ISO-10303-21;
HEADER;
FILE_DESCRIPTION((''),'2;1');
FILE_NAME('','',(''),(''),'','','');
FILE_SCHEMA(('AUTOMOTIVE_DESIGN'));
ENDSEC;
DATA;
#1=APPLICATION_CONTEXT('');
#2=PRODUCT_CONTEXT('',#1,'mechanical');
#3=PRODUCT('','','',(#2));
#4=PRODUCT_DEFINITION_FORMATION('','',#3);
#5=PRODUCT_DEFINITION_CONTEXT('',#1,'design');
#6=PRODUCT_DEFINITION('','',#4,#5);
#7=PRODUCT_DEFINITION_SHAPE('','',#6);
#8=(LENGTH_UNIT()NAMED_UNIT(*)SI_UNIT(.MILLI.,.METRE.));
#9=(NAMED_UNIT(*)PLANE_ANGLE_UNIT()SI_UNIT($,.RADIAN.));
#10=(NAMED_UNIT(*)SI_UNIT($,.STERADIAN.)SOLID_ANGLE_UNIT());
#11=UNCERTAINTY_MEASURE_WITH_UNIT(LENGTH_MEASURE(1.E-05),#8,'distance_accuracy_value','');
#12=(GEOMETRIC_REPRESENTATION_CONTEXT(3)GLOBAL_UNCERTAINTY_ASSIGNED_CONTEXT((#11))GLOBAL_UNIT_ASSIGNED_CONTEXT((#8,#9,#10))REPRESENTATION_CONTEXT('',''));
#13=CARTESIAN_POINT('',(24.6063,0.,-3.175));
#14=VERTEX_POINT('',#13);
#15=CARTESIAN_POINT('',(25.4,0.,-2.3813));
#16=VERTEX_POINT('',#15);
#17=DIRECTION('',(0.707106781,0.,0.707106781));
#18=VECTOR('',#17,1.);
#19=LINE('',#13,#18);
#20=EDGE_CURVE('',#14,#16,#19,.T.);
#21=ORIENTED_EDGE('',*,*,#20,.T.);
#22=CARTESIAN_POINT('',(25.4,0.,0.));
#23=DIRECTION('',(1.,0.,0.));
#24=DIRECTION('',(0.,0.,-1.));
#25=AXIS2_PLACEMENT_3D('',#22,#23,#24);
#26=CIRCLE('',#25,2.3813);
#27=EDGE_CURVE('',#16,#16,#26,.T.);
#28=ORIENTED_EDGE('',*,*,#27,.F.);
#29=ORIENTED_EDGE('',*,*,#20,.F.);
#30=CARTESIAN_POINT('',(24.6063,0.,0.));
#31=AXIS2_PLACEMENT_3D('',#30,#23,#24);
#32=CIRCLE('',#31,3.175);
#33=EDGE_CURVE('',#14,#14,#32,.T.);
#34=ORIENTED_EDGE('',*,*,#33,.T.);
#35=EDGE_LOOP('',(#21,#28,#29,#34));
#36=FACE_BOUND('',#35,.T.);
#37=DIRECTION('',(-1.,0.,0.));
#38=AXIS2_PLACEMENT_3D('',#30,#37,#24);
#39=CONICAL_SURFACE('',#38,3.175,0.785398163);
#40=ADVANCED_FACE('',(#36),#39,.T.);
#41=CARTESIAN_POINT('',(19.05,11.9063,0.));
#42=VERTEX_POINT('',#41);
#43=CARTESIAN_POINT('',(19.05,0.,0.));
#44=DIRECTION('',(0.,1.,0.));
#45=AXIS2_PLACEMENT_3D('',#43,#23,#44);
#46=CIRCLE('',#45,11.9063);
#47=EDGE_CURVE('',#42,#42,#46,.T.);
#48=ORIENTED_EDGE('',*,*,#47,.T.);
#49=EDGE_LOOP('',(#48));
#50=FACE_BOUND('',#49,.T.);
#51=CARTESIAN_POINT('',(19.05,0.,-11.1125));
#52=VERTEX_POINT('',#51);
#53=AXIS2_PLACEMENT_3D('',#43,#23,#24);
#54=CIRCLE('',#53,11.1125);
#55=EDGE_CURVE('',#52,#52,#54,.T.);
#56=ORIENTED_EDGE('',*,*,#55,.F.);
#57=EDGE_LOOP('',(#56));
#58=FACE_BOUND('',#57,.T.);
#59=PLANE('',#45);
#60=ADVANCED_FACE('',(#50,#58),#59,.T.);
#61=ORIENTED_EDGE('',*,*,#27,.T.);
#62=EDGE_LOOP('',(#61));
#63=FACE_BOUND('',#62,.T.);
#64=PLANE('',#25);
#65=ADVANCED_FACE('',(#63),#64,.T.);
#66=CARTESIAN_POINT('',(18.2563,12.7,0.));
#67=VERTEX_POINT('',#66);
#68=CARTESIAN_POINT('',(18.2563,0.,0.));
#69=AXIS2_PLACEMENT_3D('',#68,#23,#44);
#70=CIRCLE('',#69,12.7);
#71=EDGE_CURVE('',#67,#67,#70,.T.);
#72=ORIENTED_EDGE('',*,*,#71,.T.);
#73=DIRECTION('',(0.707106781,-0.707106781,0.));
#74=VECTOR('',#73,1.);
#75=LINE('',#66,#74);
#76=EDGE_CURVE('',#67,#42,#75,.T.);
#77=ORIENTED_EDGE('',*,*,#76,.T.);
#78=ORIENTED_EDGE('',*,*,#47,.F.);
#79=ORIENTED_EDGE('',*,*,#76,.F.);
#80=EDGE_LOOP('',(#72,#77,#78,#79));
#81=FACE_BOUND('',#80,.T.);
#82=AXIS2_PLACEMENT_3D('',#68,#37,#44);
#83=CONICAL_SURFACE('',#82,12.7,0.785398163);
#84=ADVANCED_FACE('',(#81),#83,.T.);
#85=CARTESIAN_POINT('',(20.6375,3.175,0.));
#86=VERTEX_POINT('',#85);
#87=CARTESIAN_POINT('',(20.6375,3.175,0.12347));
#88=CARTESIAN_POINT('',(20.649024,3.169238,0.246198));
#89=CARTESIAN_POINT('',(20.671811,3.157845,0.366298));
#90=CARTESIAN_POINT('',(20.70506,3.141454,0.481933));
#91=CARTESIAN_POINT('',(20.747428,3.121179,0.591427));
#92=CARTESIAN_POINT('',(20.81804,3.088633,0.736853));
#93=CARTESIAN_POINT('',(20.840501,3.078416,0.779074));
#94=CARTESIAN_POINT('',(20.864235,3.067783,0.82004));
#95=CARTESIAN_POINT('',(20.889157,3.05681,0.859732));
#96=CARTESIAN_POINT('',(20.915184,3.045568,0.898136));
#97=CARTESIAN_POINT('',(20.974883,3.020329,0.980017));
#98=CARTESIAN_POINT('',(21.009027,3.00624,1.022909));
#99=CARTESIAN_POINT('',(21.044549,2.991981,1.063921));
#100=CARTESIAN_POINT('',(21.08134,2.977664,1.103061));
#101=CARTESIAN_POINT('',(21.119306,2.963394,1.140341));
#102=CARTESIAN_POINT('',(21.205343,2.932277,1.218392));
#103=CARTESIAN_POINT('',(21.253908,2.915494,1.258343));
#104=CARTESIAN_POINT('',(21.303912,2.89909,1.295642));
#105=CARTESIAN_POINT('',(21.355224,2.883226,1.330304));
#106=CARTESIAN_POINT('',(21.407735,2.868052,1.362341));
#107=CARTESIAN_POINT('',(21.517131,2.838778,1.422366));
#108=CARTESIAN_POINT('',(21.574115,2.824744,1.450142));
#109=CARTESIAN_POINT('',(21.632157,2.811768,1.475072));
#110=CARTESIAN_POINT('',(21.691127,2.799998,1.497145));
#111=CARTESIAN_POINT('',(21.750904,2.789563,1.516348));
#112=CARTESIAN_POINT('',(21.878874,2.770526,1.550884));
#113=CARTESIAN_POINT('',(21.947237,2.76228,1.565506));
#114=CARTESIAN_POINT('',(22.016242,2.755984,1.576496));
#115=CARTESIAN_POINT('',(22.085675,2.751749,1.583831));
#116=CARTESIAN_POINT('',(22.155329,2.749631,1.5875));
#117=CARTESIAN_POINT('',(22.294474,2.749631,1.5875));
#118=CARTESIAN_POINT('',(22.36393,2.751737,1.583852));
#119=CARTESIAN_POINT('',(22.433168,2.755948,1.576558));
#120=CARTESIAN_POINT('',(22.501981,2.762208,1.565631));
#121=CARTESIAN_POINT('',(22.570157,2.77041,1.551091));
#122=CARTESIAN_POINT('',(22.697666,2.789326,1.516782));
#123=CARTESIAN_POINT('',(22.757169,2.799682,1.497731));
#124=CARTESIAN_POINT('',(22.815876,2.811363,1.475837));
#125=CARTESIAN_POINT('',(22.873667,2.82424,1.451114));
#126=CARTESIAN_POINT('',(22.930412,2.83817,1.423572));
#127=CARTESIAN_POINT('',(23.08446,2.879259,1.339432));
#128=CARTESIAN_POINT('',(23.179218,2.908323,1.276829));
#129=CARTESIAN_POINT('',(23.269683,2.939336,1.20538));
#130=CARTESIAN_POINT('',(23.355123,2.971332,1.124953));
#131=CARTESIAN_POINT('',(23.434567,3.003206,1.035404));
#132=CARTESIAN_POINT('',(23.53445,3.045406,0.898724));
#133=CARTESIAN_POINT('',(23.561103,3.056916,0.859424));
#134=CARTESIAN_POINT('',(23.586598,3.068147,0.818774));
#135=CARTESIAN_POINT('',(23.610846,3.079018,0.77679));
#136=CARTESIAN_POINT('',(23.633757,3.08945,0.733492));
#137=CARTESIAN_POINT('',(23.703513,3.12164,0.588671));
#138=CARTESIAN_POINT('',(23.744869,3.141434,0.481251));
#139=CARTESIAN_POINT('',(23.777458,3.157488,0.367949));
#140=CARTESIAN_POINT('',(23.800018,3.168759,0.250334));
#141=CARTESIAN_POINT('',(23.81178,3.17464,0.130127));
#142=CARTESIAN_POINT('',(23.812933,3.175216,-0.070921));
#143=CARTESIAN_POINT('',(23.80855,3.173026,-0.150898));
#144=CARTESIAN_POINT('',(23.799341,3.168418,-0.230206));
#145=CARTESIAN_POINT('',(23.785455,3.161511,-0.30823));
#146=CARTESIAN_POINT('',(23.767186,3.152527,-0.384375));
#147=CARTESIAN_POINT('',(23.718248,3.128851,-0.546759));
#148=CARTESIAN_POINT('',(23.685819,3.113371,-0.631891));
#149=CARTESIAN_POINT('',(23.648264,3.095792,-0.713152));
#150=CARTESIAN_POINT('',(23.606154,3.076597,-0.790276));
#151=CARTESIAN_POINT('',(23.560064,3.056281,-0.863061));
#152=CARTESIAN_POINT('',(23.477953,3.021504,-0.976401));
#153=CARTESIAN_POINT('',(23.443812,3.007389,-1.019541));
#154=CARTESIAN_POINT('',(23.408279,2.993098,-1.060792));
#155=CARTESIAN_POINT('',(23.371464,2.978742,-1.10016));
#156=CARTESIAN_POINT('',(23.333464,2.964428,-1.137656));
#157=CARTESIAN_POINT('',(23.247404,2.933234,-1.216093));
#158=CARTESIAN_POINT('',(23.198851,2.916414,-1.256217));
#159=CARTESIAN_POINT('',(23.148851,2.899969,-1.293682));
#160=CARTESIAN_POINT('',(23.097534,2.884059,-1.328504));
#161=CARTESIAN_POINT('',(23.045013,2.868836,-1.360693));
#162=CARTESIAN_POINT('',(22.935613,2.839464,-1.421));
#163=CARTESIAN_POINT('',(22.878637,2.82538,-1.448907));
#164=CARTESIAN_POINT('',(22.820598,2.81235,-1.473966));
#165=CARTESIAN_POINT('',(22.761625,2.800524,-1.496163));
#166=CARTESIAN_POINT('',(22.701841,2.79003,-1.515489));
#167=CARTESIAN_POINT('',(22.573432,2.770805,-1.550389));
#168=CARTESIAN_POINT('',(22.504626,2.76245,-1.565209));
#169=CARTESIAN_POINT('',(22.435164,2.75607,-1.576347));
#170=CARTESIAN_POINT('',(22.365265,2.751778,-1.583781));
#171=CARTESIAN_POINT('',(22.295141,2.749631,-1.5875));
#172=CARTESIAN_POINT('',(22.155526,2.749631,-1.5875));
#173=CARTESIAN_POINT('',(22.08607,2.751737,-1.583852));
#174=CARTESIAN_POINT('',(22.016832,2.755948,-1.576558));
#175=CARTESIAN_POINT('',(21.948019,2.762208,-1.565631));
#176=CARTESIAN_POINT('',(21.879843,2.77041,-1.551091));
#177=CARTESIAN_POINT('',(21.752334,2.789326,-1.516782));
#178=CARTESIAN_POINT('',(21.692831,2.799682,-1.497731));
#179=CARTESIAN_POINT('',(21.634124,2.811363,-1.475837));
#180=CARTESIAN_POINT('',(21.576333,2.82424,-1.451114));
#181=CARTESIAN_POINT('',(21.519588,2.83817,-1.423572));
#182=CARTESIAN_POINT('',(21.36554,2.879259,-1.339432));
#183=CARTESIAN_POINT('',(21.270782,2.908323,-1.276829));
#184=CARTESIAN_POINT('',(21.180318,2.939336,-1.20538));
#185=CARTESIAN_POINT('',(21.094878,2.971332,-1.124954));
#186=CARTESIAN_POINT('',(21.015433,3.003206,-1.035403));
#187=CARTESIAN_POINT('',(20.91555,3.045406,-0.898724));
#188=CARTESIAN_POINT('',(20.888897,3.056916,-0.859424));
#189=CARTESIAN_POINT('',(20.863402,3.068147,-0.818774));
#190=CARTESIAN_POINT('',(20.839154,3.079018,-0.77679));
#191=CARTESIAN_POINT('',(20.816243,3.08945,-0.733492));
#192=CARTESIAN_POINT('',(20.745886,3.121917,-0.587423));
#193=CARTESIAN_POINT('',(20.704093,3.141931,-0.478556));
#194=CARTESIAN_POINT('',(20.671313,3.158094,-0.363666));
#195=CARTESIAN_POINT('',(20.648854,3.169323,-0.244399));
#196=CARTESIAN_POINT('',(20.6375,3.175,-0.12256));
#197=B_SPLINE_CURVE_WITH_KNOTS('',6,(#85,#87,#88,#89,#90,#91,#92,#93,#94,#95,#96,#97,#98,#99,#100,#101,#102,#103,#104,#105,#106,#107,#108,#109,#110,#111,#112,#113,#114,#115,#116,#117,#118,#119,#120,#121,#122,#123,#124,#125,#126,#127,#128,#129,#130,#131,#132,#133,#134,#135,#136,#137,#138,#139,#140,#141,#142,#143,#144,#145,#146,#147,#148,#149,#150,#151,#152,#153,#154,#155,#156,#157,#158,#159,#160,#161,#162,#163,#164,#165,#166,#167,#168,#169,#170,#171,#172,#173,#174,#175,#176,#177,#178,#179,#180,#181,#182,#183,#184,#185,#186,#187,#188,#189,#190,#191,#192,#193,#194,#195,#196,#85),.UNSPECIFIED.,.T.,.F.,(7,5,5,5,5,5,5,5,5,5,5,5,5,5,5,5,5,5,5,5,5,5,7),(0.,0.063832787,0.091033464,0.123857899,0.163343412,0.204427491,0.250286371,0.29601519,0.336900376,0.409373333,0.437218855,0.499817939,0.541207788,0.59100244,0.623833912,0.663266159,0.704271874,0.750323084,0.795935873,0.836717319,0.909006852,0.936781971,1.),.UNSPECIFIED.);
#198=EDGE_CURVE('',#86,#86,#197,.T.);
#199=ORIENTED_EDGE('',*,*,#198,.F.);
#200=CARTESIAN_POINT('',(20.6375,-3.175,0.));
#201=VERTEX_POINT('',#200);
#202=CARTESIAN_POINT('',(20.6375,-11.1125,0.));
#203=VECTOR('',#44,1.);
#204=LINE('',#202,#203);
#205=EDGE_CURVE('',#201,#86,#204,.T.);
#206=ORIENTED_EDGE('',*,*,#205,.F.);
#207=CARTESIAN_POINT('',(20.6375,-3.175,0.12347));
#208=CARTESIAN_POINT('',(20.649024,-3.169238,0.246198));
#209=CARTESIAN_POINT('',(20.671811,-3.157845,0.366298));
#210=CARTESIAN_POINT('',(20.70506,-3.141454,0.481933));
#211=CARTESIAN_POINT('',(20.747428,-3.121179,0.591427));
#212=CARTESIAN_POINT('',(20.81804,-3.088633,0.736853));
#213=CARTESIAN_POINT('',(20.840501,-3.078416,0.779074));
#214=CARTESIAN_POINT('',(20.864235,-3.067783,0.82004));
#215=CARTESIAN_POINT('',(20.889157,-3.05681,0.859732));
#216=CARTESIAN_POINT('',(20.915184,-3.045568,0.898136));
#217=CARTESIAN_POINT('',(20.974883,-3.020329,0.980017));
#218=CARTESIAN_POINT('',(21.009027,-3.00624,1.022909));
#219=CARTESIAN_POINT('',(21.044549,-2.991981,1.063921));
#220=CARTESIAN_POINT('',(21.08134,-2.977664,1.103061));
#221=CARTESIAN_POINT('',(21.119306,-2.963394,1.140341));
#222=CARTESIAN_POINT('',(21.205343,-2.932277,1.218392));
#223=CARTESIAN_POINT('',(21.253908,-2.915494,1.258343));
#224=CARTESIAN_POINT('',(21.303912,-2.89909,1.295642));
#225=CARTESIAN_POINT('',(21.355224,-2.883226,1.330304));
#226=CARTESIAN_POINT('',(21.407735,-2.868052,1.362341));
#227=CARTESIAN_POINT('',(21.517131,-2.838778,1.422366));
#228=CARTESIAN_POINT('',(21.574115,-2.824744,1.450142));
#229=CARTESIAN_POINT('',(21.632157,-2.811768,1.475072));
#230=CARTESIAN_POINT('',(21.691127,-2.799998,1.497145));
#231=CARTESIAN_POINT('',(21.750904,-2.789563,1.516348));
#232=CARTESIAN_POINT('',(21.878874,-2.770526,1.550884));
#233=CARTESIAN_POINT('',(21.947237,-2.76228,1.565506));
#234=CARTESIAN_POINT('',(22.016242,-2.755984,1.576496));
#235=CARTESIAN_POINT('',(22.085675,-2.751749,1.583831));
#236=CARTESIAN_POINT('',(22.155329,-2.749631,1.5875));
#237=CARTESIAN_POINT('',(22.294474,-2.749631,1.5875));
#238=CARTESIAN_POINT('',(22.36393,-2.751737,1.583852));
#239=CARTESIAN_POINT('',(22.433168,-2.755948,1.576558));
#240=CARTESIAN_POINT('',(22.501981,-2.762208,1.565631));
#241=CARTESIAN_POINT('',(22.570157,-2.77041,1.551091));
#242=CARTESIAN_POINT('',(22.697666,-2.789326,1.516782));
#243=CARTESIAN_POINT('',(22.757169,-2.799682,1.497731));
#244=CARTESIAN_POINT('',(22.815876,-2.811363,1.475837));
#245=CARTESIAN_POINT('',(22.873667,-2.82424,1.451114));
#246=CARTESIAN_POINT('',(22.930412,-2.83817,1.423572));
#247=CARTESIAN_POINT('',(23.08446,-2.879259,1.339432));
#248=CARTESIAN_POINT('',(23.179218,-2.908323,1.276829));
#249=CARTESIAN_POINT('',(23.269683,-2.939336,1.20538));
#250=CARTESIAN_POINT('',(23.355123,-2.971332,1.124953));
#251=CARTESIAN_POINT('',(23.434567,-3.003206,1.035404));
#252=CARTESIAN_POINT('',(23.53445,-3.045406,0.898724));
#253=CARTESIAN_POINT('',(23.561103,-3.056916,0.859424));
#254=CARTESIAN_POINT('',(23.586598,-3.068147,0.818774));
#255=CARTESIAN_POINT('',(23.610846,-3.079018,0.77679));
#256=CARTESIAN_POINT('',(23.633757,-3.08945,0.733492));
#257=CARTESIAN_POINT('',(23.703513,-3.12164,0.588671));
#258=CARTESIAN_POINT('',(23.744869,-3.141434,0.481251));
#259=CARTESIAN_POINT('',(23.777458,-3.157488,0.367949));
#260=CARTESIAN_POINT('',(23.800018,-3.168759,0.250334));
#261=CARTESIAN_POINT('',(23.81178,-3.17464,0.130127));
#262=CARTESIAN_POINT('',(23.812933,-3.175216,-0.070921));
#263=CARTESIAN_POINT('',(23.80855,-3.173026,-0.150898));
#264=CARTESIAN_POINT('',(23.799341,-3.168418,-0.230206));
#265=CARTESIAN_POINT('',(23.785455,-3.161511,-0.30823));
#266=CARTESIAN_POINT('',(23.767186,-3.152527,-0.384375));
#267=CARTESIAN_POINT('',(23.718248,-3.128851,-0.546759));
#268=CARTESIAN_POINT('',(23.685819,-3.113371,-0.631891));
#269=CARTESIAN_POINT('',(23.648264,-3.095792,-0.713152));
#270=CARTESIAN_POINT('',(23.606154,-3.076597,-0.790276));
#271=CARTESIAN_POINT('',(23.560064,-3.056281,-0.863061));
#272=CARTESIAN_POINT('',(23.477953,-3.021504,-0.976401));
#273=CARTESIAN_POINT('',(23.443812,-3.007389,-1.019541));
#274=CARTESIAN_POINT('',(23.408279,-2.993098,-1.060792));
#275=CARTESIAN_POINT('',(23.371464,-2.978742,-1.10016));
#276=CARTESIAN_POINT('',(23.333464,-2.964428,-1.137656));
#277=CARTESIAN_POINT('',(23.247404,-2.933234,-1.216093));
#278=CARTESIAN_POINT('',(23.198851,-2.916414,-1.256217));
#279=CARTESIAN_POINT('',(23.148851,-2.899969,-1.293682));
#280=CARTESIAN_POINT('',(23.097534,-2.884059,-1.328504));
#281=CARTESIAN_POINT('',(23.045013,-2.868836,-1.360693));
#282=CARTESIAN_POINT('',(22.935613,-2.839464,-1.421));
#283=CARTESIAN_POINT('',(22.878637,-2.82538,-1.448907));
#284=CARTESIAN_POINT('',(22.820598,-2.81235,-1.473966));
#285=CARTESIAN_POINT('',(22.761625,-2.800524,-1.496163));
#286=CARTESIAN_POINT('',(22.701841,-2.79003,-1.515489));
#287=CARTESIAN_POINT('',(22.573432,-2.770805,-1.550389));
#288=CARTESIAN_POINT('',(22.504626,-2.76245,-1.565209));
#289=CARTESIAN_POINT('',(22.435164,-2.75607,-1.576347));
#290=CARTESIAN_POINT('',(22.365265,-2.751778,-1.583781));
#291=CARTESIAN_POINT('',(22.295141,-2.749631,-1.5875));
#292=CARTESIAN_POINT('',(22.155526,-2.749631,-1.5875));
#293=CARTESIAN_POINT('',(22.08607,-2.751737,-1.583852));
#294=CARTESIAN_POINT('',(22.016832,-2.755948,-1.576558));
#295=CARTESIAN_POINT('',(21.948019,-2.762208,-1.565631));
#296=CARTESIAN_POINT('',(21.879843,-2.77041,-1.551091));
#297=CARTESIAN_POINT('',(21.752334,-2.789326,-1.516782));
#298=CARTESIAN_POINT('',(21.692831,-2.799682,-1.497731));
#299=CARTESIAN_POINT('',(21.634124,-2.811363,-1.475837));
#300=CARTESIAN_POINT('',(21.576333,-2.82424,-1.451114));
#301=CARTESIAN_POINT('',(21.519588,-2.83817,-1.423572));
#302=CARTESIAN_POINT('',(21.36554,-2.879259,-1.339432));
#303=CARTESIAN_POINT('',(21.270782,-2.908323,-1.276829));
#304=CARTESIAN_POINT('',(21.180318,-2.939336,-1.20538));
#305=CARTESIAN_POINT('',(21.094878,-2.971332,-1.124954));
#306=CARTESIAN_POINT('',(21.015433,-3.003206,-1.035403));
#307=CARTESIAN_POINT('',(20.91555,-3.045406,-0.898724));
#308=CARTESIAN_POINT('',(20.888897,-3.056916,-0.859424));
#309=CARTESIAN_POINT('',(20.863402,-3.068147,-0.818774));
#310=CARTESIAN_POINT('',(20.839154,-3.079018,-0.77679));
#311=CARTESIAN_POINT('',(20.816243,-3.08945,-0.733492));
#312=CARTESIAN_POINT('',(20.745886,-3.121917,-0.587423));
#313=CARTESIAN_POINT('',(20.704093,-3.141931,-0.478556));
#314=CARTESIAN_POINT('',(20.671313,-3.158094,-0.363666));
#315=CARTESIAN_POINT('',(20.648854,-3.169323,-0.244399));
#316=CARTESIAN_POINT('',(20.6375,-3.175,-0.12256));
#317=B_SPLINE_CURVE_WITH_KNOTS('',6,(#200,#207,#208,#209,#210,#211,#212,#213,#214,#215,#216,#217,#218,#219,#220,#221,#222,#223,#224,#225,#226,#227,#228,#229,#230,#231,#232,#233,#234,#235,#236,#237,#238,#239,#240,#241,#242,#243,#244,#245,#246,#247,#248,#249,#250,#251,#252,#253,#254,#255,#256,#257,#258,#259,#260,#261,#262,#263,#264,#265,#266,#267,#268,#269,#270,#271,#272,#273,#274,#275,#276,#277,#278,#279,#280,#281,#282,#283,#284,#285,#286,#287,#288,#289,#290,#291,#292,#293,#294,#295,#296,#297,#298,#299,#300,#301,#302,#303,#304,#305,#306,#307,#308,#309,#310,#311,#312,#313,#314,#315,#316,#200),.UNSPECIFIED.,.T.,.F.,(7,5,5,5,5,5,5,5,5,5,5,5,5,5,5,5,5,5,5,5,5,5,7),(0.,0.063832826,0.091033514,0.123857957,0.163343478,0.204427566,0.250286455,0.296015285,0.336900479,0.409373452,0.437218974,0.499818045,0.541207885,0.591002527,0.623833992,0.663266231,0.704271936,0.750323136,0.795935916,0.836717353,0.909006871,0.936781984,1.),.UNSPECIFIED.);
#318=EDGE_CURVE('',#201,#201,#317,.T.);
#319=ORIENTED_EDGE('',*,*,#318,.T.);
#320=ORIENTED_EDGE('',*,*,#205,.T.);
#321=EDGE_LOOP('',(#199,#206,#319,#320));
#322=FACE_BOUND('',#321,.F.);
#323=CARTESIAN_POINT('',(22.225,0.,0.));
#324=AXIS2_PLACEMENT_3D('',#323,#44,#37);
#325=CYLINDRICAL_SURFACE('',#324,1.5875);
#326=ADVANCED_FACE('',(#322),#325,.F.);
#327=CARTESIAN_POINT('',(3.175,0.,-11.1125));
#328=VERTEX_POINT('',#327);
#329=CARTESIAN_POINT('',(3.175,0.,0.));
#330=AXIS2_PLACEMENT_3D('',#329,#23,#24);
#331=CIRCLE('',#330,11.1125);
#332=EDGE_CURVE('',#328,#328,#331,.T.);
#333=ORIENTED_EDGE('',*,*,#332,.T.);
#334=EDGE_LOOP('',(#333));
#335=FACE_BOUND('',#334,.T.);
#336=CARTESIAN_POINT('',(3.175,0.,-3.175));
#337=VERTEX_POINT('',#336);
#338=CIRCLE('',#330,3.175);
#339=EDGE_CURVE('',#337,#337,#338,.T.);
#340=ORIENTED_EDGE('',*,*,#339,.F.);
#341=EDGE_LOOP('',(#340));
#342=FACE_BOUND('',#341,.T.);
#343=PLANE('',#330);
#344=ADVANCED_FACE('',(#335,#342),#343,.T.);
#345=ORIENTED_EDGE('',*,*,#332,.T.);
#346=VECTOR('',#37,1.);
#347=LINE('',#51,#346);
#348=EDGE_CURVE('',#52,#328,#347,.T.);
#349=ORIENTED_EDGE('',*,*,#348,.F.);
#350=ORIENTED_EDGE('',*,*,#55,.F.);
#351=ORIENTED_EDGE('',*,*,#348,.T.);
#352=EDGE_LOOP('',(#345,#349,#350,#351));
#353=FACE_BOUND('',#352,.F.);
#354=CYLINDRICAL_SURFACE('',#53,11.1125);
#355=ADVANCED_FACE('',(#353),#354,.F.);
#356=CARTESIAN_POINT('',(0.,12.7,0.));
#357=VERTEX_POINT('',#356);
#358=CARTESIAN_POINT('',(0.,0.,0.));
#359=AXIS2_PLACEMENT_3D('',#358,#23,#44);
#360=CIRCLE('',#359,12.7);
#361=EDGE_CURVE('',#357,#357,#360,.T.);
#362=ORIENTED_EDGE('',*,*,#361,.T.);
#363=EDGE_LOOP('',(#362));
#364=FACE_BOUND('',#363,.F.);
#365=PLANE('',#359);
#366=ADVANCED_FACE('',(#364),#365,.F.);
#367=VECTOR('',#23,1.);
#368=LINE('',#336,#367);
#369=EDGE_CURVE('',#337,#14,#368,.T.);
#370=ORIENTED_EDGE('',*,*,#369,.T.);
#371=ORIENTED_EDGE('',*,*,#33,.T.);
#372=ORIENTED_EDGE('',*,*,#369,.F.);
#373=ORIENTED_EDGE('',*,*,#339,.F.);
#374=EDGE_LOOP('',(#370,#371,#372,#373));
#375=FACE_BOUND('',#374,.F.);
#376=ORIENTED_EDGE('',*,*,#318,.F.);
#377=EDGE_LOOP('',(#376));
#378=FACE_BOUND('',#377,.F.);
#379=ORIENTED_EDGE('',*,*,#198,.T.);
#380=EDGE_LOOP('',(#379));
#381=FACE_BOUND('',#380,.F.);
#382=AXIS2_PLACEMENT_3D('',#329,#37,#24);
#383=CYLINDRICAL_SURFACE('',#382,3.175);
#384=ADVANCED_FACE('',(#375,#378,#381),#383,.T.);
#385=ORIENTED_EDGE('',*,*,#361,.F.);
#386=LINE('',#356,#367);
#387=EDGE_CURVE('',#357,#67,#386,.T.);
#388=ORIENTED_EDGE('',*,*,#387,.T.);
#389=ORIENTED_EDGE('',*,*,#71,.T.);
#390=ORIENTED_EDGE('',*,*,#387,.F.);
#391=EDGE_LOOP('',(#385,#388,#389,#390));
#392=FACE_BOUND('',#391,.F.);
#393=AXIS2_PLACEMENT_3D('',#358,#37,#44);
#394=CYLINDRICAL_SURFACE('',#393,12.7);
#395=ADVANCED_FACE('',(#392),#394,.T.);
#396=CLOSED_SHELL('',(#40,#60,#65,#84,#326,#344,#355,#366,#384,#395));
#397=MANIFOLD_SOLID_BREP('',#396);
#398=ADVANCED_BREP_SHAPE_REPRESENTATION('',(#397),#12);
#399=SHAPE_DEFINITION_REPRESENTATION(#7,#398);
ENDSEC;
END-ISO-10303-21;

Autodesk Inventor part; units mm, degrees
ref_plane "YZ Plane" through (0, 0, 0) normal (1, 0, 0) x (0, 1, 0)
ref_plane "XZ Plane" through (0, 0, 0) normal (0, 1, 0) x (-1, 0, 0)
ref_plane "XY Plane" through (0, 0, 0) normal (0, 0, 1) x (1, 0, 0)
sketch "Sketch1" plane through (0, 0, 0) normal (1, 0, 0) x (0, 1, 0)
  circle A0 centre (0, 0) radius 12.7
  dimension "d0" = 25.4
extrude "Extrusion1" add sketch "Sketch1" along normal blind 19.05
sketch "Sketch2" plane through (19.05, 0, 0) normal (1, 0, 0) x (0, 0, -1)
  circle A0 centre (0, 0) radius 11.1125
  dimension "d3" = 22.225
extrude "Extrusion2" cut sketch "Sketch2" against normal blind 15.875
sketch "Sketch3" plane through (3.175, 0, 0) normal (1, 0, 0) x (0, 0, -1)
  circle A0 centre (0, 0) radius 3.175
  dimension "d6" = 6.35
extrude "Extrusion3" add sketch "Sketch3" along normal blind 22.225
sketch "Sketch4" plane through (0, 0, 0) normal (0, 1, 0) x (-1, 0, 0)
  circle A0 centre (-22.225, 0) radius 1.5875
  line L0 (-25.4, 3.175) -> (-25.4, -3.175) projected
  point P0 (0, 0)
  dimension "d9" = 3.175
  dimension "d10" = 3.175
extrude "Extrusion4" cut sketch "Sketch4" against normal mid plane 22.225
chamfer "Chamfer1" distance 0.7937 angle 45 2 edges at (19.05, -12.7, 0) (25.4, 0, 3.175)
